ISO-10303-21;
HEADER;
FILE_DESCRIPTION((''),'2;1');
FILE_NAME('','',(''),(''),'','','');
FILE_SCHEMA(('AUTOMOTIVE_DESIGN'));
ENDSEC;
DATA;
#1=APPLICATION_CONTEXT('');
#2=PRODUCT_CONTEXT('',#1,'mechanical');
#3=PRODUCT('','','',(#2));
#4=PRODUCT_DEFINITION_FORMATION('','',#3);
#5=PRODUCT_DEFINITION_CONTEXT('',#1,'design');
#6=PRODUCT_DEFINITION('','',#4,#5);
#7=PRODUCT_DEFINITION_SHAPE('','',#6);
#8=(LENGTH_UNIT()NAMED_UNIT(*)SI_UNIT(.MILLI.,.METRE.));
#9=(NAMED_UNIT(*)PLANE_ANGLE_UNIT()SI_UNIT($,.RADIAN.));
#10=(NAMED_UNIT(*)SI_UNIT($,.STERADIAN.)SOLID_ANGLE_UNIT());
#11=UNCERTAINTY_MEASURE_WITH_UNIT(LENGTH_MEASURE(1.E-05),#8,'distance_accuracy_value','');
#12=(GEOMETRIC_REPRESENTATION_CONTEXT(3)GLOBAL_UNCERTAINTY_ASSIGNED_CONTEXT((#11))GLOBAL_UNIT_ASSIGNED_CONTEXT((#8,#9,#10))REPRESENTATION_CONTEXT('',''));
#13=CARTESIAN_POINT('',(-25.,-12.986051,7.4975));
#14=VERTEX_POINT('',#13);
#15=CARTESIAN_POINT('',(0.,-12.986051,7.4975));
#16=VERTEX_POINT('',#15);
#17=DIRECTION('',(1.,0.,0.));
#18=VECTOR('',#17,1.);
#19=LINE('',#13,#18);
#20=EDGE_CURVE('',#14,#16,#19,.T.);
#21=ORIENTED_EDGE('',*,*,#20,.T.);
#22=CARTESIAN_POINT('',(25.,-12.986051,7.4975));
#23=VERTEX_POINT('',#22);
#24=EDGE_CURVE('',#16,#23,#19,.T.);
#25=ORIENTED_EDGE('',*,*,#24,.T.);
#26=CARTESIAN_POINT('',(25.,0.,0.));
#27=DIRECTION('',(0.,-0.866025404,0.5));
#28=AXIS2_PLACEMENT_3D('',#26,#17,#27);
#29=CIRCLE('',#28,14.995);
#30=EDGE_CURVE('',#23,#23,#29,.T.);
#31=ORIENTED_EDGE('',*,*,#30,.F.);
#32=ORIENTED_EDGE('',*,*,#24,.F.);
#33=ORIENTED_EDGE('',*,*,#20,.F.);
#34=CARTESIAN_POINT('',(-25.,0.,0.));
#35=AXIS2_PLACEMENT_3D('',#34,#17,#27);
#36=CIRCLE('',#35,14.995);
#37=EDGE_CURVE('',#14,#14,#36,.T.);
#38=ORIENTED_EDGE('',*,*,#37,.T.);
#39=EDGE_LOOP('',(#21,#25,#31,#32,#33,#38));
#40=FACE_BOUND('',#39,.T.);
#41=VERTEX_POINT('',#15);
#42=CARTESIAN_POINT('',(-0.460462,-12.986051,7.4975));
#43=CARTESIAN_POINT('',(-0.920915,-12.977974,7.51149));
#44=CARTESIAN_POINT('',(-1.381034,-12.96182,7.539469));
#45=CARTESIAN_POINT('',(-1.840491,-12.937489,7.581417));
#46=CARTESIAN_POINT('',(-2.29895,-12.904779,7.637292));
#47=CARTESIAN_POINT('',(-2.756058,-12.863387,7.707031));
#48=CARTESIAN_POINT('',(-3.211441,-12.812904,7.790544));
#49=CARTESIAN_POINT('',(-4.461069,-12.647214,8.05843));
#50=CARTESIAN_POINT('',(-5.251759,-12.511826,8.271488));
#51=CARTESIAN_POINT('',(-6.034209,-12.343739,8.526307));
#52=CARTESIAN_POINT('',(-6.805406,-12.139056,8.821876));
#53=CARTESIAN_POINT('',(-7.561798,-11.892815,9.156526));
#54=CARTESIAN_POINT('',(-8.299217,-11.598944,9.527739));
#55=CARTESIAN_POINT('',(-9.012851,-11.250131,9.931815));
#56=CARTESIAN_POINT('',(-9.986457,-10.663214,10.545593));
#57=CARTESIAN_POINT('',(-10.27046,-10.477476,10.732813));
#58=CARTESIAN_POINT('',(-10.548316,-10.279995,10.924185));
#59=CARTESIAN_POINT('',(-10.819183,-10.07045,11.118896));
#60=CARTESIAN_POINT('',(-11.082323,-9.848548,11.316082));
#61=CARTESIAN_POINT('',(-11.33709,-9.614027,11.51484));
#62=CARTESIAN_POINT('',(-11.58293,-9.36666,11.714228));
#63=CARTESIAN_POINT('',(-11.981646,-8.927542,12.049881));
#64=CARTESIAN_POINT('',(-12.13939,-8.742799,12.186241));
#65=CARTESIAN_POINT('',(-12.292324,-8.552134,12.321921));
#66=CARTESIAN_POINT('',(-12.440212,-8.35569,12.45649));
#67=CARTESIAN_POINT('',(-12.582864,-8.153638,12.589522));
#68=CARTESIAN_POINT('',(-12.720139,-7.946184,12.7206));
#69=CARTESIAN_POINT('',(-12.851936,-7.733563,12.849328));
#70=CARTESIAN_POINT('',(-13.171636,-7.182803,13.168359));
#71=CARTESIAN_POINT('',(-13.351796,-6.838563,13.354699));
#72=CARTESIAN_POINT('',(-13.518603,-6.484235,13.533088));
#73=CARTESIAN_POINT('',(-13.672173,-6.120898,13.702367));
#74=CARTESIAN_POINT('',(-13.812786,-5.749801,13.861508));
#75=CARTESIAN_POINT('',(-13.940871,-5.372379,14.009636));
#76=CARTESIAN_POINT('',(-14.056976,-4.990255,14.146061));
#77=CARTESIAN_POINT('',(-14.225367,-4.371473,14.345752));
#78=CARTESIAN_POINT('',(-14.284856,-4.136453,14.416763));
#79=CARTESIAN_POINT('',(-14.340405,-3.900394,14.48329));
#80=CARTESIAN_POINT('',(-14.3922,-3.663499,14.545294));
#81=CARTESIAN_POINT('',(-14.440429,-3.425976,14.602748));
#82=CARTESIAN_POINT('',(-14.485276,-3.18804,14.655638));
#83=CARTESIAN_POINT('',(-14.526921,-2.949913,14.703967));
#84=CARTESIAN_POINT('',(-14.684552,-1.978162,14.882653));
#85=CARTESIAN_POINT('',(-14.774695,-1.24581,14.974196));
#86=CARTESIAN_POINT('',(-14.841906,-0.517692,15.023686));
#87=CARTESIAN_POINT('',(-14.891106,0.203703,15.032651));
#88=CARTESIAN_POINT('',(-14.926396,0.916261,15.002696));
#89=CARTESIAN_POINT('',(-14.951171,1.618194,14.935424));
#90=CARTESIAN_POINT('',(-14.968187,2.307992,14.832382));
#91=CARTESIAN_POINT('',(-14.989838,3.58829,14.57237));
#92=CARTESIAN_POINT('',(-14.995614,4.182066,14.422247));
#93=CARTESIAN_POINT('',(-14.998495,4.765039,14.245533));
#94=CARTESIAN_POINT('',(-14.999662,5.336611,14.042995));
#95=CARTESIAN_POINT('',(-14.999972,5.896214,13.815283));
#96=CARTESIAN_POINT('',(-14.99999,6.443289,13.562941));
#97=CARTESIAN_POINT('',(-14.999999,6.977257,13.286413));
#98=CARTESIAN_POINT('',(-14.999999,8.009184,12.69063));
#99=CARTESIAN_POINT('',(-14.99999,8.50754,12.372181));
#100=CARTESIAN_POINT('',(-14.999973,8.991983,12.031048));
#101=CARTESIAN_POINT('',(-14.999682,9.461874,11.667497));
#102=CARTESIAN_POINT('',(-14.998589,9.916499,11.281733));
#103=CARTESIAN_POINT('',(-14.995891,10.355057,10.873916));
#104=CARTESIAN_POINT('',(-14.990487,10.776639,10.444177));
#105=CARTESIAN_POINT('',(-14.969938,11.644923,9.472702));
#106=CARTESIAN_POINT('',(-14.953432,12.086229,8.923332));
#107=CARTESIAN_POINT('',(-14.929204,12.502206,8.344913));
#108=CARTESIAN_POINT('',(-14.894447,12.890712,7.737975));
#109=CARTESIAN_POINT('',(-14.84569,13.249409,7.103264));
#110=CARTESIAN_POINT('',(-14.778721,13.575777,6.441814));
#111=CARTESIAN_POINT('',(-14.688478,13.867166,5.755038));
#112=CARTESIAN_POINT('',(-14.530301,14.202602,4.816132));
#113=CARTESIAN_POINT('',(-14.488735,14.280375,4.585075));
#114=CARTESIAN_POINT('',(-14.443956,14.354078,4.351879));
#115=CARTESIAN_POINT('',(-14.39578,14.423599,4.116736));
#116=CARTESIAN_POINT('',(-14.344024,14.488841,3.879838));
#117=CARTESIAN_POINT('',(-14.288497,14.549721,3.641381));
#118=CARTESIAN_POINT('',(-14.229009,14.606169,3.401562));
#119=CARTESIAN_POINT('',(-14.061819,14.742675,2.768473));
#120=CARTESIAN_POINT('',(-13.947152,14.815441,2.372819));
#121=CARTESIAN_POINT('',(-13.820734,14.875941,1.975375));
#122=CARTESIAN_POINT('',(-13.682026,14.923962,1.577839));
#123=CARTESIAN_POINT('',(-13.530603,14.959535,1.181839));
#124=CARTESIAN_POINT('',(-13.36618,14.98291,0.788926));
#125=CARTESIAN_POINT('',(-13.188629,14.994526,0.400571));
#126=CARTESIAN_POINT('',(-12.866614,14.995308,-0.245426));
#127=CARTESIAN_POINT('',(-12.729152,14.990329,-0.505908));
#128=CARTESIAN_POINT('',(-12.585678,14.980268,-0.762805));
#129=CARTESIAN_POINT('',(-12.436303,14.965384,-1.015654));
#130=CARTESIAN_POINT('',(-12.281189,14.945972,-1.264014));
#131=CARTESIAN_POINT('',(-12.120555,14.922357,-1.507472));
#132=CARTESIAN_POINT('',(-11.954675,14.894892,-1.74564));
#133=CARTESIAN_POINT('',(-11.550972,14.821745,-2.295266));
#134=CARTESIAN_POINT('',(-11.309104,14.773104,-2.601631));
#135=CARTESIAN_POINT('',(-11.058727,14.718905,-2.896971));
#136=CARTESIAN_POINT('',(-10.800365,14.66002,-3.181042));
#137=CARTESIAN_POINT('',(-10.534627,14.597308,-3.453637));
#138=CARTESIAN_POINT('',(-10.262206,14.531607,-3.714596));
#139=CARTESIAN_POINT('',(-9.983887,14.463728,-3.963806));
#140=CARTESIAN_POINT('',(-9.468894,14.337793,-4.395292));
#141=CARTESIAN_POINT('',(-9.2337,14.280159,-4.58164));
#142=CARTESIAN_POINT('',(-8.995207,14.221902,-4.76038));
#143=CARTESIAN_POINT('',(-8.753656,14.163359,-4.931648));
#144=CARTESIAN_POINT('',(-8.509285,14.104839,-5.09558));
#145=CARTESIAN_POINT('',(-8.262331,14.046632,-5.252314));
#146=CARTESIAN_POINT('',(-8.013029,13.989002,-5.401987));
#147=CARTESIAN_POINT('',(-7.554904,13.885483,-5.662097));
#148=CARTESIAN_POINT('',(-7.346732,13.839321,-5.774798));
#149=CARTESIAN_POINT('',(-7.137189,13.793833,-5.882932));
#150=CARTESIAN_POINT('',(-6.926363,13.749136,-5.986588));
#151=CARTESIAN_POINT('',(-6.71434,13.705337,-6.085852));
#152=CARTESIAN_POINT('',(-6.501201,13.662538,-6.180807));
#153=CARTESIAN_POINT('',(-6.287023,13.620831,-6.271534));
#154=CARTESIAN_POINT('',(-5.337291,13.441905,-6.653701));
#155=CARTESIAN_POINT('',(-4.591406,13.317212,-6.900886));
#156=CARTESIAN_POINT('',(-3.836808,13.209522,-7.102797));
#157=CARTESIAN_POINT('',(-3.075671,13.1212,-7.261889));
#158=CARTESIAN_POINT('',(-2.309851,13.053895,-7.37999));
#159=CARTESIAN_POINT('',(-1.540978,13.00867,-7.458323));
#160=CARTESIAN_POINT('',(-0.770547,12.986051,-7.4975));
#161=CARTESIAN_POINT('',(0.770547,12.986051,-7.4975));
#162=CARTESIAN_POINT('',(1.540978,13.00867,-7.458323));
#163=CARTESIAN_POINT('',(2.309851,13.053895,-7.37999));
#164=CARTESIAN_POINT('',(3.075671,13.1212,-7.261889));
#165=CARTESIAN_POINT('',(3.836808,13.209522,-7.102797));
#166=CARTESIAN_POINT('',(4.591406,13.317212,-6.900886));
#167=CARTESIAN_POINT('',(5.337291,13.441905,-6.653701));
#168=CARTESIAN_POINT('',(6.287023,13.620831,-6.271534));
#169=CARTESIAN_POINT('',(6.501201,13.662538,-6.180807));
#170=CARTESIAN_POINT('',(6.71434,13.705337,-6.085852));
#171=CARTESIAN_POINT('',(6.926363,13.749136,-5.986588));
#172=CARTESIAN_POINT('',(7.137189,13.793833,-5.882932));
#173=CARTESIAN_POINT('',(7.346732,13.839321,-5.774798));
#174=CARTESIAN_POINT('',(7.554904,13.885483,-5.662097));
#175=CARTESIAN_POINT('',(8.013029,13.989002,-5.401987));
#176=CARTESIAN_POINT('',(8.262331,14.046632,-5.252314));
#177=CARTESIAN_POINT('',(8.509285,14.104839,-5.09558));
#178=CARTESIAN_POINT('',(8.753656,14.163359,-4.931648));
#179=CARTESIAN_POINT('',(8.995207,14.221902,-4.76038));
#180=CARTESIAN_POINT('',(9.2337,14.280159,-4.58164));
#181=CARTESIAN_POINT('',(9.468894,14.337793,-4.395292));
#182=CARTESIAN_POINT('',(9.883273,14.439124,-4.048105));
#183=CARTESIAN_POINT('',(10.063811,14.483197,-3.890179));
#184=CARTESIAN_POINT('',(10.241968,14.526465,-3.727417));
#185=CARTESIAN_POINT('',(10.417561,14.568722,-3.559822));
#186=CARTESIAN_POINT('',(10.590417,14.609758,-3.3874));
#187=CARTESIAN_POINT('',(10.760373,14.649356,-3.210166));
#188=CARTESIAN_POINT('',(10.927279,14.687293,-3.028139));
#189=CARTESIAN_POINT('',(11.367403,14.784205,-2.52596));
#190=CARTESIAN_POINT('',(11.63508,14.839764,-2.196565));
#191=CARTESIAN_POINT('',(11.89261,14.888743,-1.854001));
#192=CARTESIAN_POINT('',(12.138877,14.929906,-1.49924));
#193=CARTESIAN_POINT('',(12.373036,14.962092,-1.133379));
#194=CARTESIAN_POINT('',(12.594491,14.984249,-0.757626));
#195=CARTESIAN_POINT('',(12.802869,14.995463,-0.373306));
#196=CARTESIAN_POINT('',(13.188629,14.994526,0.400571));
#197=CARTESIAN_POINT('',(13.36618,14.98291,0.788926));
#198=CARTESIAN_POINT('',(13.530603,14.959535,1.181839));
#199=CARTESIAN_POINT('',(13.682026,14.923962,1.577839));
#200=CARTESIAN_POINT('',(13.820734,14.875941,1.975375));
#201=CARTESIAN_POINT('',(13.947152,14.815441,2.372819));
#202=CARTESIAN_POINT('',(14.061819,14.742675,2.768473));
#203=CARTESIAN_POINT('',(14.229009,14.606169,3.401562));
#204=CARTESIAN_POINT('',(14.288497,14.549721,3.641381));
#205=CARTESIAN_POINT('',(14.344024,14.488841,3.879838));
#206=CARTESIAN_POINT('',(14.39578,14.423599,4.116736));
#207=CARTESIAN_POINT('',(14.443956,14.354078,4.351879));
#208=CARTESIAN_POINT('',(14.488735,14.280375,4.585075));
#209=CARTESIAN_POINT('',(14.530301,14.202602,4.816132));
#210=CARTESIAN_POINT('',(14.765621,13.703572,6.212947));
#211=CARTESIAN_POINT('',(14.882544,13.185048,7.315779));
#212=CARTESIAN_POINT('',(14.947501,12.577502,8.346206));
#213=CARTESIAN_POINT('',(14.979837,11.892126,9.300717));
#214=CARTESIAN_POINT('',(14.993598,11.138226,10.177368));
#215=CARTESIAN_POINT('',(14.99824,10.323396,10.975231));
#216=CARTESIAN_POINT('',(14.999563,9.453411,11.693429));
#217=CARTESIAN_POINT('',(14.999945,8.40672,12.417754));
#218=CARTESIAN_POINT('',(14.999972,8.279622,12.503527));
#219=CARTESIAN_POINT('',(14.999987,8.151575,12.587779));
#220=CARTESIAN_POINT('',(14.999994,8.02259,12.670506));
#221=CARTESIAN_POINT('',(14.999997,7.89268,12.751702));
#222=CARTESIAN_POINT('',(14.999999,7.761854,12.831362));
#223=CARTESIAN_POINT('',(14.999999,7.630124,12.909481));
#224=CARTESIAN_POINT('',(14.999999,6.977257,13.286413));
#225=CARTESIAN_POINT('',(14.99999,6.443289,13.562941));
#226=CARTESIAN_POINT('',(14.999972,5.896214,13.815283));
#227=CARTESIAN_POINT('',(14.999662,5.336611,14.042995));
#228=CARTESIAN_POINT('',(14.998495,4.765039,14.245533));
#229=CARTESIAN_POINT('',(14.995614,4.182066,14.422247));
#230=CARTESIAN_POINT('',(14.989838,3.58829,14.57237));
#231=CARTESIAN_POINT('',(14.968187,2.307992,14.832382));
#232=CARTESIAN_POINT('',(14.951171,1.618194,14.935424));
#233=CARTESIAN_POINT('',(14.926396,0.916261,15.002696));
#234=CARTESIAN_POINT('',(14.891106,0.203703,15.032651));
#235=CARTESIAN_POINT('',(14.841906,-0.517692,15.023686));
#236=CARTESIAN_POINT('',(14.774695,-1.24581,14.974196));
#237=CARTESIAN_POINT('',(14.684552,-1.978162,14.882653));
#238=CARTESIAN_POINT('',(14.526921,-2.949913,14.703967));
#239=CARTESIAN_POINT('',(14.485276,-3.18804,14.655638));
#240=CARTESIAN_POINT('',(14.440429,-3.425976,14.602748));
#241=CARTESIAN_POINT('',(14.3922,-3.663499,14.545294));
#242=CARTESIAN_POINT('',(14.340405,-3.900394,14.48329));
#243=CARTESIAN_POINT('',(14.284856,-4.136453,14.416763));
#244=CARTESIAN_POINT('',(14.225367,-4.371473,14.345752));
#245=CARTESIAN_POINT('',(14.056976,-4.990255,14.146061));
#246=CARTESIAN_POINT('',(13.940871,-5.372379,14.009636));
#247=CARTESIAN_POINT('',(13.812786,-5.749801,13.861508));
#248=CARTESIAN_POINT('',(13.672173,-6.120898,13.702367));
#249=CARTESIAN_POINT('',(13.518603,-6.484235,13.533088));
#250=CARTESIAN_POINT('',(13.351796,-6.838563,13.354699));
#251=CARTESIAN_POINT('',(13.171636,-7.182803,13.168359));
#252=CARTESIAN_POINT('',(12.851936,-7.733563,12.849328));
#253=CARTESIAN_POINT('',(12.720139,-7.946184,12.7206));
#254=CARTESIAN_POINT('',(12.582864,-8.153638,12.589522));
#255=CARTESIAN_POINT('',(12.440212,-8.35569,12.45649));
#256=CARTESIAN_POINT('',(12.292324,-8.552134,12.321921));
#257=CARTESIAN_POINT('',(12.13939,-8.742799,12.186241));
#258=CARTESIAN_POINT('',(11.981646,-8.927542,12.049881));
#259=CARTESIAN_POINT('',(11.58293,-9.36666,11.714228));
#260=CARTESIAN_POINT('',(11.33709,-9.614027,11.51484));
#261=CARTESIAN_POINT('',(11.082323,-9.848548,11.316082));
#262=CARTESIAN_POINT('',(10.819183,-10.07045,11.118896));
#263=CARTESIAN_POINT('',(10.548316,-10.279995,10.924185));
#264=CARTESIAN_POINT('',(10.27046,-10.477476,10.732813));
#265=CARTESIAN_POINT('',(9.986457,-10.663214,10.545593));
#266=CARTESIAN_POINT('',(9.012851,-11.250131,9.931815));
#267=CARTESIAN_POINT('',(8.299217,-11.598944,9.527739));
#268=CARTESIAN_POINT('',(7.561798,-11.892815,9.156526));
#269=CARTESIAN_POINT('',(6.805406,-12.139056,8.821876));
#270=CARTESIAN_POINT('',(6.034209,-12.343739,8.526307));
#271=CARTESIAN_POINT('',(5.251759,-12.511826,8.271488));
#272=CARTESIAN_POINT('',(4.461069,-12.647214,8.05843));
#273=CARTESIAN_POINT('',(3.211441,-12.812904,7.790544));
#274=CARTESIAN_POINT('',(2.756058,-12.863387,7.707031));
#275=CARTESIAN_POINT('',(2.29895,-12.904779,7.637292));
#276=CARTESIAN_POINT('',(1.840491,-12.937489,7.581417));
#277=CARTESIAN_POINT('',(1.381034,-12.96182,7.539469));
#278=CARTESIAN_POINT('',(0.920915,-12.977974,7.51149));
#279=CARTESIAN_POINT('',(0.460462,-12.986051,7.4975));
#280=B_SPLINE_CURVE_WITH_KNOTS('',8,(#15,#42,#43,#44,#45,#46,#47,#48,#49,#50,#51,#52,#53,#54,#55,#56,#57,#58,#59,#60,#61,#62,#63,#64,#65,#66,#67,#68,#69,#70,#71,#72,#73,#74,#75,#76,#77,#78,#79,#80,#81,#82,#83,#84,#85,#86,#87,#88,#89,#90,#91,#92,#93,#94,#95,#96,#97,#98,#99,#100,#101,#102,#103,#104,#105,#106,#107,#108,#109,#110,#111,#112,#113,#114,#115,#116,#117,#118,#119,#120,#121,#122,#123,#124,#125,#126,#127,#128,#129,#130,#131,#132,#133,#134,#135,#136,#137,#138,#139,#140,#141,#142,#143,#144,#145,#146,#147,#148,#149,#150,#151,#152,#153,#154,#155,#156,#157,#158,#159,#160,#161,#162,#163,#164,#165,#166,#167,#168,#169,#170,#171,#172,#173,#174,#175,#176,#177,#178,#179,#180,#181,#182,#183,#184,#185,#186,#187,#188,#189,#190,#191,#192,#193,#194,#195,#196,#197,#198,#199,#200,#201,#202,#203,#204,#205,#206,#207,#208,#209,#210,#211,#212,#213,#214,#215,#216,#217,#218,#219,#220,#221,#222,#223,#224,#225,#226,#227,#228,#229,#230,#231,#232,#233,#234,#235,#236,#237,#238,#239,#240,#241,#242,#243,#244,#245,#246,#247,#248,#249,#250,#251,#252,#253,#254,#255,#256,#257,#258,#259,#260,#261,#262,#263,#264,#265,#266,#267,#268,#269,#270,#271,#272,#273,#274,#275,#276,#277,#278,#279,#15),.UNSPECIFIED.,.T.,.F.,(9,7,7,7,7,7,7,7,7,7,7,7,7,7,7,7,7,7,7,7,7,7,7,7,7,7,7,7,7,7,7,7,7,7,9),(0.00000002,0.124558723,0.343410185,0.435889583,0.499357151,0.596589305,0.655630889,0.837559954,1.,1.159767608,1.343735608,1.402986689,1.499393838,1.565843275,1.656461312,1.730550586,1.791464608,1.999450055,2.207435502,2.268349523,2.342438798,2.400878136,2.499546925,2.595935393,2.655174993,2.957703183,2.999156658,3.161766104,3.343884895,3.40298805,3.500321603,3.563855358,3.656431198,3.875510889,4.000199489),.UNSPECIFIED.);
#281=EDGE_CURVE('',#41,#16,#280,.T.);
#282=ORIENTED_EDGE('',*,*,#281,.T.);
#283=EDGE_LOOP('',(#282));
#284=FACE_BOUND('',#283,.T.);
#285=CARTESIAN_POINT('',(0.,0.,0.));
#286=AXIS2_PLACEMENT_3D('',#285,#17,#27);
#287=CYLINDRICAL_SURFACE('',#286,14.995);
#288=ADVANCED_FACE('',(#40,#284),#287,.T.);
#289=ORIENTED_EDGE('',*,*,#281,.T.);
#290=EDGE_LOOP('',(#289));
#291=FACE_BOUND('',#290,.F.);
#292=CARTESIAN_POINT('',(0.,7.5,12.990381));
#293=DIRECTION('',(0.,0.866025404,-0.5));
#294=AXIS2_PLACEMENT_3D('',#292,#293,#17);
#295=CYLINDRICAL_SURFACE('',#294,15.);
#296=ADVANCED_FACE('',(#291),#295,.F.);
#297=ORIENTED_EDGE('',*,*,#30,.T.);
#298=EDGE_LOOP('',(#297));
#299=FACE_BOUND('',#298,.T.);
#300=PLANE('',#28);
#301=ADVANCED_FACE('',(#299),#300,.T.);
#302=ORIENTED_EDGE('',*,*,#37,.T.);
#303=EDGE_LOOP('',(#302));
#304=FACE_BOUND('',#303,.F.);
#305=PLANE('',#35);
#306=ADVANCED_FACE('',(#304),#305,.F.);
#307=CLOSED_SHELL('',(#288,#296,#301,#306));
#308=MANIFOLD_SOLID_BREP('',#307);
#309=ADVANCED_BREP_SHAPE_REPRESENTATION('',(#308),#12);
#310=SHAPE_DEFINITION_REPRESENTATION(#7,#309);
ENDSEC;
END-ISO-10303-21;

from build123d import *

# Parameters (mm, degrees)
F0_R          = 14.995
F1_DEPTH      = 25
F1_DEPTH_BACK = 25
F2_R          = 15
F3_DEPTH      = 25
F3_DEPTH_BACK = 25
F5_ANGLE      = 180
F7_ANGLE      = 330


with BuildPart() as f1:
    # F0 (on Right) → F1 (new body, two sides)
    with BuildSketch(Plane.YZ) as f1_sk:
        Circle(F0_R)
    extrude(amount=F1_DEPTH)
    extrude(f1_sk.sketch, amount=-F1_DEPTH_BACK)

    # F2 (on Front) → F3 (cut, two sides)
    with BuildSketch(Plane.XZ) as f3_sk:
        with Locations((0, -15)):
            Circle(F2_R)
    extrude(amount=-F3_DEPTH, mode=Mode.SUBTRACT)
    extrude(f3_sk.sketch, amount=F3_DEPTH_BACK, mode=Mode.SUBTRACT)


with BuildPart() as f1_1:
    # F5: moved
    add(f1.part.rotate(Axis((31.3068032265, 0, 0), (1, 0, 0)), F5_ANGLE))


with BuildPart() as f1_2:
    # F7: moved
    add(f1_1.part.rotate(Axis((32.434489578, 0, 0), (1, 0, 0)), F7_ANGLE))


solid = f1_2.part
